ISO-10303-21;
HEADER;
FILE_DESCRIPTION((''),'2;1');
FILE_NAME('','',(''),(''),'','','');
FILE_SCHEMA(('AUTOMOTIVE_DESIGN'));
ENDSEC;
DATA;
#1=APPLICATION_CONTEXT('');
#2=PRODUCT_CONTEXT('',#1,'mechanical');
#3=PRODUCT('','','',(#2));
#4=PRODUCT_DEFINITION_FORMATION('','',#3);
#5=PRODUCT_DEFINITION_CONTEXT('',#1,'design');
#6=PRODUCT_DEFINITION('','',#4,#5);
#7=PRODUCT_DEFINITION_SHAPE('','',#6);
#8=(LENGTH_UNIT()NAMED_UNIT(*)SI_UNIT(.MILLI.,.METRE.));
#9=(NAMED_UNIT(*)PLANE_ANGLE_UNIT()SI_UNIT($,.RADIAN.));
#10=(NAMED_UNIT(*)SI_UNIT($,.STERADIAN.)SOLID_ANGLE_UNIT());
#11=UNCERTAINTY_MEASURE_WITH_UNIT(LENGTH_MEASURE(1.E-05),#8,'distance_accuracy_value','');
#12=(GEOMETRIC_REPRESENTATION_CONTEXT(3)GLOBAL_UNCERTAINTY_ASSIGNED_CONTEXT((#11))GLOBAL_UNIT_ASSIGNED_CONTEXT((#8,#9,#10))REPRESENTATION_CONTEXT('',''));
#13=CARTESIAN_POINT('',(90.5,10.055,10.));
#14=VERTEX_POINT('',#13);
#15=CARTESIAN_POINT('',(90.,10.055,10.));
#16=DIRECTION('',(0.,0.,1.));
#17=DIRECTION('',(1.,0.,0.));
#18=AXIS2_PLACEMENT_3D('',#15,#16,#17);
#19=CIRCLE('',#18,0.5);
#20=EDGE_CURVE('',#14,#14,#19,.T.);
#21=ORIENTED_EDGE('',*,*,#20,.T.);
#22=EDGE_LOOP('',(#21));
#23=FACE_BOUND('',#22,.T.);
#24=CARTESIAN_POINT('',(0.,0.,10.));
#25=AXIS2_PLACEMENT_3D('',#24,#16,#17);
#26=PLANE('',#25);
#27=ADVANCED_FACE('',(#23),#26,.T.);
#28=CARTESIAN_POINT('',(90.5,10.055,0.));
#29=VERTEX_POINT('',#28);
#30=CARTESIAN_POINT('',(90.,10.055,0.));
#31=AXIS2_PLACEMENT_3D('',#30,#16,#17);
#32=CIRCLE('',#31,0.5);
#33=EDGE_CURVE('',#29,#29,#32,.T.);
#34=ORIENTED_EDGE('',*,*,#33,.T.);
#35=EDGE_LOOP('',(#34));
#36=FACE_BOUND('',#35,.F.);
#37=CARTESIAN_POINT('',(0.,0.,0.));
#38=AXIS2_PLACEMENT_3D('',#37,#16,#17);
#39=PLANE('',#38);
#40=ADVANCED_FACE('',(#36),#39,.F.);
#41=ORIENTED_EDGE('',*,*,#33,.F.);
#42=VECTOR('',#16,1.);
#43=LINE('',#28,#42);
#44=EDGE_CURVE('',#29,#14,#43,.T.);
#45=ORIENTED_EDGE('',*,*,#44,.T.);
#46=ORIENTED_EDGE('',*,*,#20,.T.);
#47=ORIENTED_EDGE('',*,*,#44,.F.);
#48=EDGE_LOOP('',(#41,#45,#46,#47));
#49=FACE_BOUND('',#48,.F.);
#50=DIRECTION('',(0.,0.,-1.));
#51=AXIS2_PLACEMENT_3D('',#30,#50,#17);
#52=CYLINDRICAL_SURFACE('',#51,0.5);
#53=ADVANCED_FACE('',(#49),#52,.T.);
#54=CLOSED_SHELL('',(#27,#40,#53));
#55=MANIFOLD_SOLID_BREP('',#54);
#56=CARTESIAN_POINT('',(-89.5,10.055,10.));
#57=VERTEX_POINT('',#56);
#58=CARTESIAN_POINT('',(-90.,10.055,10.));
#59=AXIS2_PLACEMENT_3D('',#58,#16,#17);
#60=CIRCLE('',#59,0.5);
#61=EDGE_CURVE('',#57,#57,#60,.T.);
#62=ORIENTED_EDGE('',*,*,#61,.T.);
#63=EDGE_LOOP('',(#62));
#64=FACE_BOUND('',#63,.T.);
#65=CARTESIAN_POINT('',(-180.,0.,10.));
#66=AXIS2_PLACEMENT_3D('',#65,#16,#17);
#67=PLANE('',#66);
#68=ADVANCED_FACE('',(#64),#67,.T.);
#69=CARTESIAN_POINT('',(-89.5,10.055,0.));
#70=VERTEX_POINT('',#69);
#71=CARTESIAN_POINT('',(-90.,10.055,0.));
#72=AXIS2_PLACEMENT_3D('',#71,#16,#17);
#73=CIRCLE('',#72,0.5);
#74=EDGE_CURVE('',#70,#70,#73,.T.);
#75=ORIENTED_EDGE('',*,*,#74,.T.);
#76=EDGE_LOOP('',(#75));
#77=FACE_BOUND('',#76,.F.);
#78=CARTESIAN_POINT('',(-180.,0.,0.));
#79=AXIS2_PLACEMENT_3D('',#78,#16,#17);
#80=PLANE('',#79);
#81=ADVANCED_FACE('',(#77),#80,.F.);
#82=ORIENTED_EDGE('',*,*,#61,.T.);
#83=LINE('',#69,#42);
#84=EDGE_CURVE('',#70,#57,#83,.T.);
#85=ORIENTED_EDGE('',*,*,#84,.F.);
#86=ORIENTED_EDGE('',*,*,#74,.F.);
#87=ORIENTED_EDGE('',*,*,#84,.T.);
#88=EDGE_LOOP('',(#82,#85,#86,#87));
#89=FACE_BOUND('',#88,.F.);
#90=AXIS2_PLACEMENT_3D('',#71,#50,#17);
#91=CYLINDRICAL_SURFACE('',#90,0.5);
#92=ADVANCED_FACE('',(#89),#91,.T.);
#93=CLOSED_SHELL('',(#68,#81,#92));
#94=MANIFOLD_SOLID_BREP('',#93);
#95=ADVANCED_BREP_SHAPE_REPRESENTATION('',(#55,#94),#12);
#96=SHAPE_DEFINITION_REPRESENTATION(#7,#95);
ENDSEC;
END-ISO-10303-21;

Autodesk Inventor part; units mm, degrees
ref_plane "YZ Plane" through (0, 0, 0) normal (1, 0, 0) x (0, 1, 0)
ref_plane "XZ Plane" through (0, 0, 0) normal (0, 1, 0) x (-1, 0, 0)
ref_plane "XY Plane" through (0, 0, 0) normal (0, 0, 1) x (1, 0, 0)
sketch "Sketch1" plane through (0, 0, 0) normal (0, 0, 1) x (1, 0, 0)
  line L0 (-150, -27.648) -> (150, -27.648)
  line L1 (150, -27.648) -> (150, 27.648)
  line L2 (150, 27.648) -> (-150, 27.648)
  line L3 (-150, 27.648) -> (-150, -27.648)
  line L4 (-150, -27.648) -> (150, 27.648) construction
  line L5 (150, -27.648) -> (-150, 27.648) construction
  point P0 (0, 0)
  dimension "d0" = 300
  dimension "d1" = 55.296
sketch "Lamello" plane through (0, 0, 0) normal (0, 0, 1) x (1, 0, 0)
  line L0 (48.383, 141.1858) -> (42.783, 141.1858)
  line L1 (40.583, 139.6858) -> (40.583, 114.6858)
  line L2 (42.783, 113.1858) -> (48.383, 113.1858)
  line L3 (50.583, 114.6858) -> (50.583, 139.6858)
  line L4 (50.583, 139.6858) -> (48.383, 141.1858)
  line L5 (40.583, 139.6858) -> (42.783, 141.1858)
  line L6 (40.583, 114.6858) -> (42.783, 113.1858)
  line L7 (50.583, 114.6858) -> (48.383, 113.1858)
  line L8 (50.583, 127.1858) -> (40.583, 127.1858)
  line L9 (45.583, 141.1858) -> (45.583, 113.1858)
  point P0 (45.583, 127.1858)
  point P1 (50.583, 141.1858)
  point P2 (40.583, 113.1858)
  point P3 (40.583, 141.1858)
  point P4 (50.583, 113.1858)
  dimension "d54" = 10
  dimension "d55" = 28
  dimension "d56" = 1.5
  dimension "d57" = 2.2
  dimension "d58" = 1.5
  dimension "d59" = 2.2
  dimension "d60" = 1.5
  dimension "d61" = 2.2
  dimension "d62" = 1.5
  dimension "d63" = 2.2
sketch "Sketch2" plane through (0, 0, 0) normal (0, 0, 1) x (1, 0, 0)
  circle A0 centre (90, 10.055) radius 0.5
  line L0 (150, 27.648) -> (-150, 27.648) projected
  line L1 (-150, -27.648) -> (150, -27.648) projected
  line L2 (0, -104.6888) -> (0, 75.7815) projected
  line L3 (150, -27.648) -> (150, 27.648) projected
  point P0 (0, 0)
  dimension "d4" = 1
  dimension "d50" = 17.593
  dimension "d70" = 60
extrude "Extrusion1" add sketch "Sketch2" along normal blind 10 contours A0
pattern_linear "Clamex Array" count 2 spacing 180 along (-1, 0, 0) of "Extrusion1"
sketch "Edge-Side Connection" plane through (0, 0, 0) normal (1, 0, 0) x (0, 1, 0)
  line L0 (-50, 0) -> (50, 0)
  line L1 (50, 0) -> (50, 37)
  line L2 (50, 37) -> (-50, 37)
  line L3 (-50, 37) -> (-50, 0)
  line L4 (-27.648, 0) -> (-23.4438, -40)
  line L5 (-23.4438, -40) -> (31.8522, -40)
  line L6 (31.8522, -40) -> (27.648, 0)
  line L7 (0.7173, -14) -> (0.7173, 14) construction
  line L8 (27.648, 0) -> (5.7173, 0)
  line L9 (-4.2827, -12.5) -> (-26.0933, -14.7924)
  point P0 (0, 0)
  point P1 (27.648, 0)
  point P2 (0, 0)
  dimension "d26" = 100
  dimension "d27" = 37
  dimension "d28" = 40
  dimension "OtherSideRefYCoordinate" = 28.3653
  dimension "ReferenceCoord" = 26.9307
  dimension "d49" = 84
sketch "Edge-Edge Connection" plane through (0, 0, 0) normal (1, 0, 0) x (0, 1, 0)
  line L0 (-78.9073, 37) -> (41.0927, 37)
  line L1 (41.0927, 37) -> (0, 0)
  line L2 (0, 0) -> (-78.9073, 0)
  line L3 (-78.9073, 0) -> (-78.9073, 37)
  line L4 (41.0927, 37) -> (28.5492, -82.3426)
  line L5 (0, 0) -> (-8.2481, -78.4751)
  line L6 (-8.2481, -78.4751) -> (28.5492, -82.3426)
  line L7 (9.3584, 8.4264) -> (0, 0)
  line L8 (8.4257, 24.407) -> (8.4257, 37)
  point P0 (13.0742, 11.772)
  dimension "d51" = 37
  dimension "d53" = 37
  dimension "EdgeEdgeReferenceCoord" = 17.593
  dimension "d65" = 84
  dimension "d66" = 120
  dimension "d67" = 120
  dimension "EdgeEdgeOtherSideRefYCoordinate" = 37.7026
equation "\"d9\" = Step"
equation "\"d27\" = NestleBoardT"
equation "\"d0\" = ContactPatchWidth"
equation "\"d1\" = ContactPatchHeight"
equation "\"ContactPatchWidth\" = 300"
equation "\"ContactPatchHeight\" = 55.296"
equation "\"MinDistBetween\" = 96"
equation "\"Step\" = 180"
equation "\"Y_Coord\" = 17.59301"
equation "\"NestleBoardT\" = 37"
equation "\"PillarBoardT\" = 37"
equation "\"AngleForYPositionCalc\" = 84deg"
equation "\"ConnectionAngle\" = 84deg"
equation "\"ShiftY\" = 0"
properties part number "Clamex Joint1100"
